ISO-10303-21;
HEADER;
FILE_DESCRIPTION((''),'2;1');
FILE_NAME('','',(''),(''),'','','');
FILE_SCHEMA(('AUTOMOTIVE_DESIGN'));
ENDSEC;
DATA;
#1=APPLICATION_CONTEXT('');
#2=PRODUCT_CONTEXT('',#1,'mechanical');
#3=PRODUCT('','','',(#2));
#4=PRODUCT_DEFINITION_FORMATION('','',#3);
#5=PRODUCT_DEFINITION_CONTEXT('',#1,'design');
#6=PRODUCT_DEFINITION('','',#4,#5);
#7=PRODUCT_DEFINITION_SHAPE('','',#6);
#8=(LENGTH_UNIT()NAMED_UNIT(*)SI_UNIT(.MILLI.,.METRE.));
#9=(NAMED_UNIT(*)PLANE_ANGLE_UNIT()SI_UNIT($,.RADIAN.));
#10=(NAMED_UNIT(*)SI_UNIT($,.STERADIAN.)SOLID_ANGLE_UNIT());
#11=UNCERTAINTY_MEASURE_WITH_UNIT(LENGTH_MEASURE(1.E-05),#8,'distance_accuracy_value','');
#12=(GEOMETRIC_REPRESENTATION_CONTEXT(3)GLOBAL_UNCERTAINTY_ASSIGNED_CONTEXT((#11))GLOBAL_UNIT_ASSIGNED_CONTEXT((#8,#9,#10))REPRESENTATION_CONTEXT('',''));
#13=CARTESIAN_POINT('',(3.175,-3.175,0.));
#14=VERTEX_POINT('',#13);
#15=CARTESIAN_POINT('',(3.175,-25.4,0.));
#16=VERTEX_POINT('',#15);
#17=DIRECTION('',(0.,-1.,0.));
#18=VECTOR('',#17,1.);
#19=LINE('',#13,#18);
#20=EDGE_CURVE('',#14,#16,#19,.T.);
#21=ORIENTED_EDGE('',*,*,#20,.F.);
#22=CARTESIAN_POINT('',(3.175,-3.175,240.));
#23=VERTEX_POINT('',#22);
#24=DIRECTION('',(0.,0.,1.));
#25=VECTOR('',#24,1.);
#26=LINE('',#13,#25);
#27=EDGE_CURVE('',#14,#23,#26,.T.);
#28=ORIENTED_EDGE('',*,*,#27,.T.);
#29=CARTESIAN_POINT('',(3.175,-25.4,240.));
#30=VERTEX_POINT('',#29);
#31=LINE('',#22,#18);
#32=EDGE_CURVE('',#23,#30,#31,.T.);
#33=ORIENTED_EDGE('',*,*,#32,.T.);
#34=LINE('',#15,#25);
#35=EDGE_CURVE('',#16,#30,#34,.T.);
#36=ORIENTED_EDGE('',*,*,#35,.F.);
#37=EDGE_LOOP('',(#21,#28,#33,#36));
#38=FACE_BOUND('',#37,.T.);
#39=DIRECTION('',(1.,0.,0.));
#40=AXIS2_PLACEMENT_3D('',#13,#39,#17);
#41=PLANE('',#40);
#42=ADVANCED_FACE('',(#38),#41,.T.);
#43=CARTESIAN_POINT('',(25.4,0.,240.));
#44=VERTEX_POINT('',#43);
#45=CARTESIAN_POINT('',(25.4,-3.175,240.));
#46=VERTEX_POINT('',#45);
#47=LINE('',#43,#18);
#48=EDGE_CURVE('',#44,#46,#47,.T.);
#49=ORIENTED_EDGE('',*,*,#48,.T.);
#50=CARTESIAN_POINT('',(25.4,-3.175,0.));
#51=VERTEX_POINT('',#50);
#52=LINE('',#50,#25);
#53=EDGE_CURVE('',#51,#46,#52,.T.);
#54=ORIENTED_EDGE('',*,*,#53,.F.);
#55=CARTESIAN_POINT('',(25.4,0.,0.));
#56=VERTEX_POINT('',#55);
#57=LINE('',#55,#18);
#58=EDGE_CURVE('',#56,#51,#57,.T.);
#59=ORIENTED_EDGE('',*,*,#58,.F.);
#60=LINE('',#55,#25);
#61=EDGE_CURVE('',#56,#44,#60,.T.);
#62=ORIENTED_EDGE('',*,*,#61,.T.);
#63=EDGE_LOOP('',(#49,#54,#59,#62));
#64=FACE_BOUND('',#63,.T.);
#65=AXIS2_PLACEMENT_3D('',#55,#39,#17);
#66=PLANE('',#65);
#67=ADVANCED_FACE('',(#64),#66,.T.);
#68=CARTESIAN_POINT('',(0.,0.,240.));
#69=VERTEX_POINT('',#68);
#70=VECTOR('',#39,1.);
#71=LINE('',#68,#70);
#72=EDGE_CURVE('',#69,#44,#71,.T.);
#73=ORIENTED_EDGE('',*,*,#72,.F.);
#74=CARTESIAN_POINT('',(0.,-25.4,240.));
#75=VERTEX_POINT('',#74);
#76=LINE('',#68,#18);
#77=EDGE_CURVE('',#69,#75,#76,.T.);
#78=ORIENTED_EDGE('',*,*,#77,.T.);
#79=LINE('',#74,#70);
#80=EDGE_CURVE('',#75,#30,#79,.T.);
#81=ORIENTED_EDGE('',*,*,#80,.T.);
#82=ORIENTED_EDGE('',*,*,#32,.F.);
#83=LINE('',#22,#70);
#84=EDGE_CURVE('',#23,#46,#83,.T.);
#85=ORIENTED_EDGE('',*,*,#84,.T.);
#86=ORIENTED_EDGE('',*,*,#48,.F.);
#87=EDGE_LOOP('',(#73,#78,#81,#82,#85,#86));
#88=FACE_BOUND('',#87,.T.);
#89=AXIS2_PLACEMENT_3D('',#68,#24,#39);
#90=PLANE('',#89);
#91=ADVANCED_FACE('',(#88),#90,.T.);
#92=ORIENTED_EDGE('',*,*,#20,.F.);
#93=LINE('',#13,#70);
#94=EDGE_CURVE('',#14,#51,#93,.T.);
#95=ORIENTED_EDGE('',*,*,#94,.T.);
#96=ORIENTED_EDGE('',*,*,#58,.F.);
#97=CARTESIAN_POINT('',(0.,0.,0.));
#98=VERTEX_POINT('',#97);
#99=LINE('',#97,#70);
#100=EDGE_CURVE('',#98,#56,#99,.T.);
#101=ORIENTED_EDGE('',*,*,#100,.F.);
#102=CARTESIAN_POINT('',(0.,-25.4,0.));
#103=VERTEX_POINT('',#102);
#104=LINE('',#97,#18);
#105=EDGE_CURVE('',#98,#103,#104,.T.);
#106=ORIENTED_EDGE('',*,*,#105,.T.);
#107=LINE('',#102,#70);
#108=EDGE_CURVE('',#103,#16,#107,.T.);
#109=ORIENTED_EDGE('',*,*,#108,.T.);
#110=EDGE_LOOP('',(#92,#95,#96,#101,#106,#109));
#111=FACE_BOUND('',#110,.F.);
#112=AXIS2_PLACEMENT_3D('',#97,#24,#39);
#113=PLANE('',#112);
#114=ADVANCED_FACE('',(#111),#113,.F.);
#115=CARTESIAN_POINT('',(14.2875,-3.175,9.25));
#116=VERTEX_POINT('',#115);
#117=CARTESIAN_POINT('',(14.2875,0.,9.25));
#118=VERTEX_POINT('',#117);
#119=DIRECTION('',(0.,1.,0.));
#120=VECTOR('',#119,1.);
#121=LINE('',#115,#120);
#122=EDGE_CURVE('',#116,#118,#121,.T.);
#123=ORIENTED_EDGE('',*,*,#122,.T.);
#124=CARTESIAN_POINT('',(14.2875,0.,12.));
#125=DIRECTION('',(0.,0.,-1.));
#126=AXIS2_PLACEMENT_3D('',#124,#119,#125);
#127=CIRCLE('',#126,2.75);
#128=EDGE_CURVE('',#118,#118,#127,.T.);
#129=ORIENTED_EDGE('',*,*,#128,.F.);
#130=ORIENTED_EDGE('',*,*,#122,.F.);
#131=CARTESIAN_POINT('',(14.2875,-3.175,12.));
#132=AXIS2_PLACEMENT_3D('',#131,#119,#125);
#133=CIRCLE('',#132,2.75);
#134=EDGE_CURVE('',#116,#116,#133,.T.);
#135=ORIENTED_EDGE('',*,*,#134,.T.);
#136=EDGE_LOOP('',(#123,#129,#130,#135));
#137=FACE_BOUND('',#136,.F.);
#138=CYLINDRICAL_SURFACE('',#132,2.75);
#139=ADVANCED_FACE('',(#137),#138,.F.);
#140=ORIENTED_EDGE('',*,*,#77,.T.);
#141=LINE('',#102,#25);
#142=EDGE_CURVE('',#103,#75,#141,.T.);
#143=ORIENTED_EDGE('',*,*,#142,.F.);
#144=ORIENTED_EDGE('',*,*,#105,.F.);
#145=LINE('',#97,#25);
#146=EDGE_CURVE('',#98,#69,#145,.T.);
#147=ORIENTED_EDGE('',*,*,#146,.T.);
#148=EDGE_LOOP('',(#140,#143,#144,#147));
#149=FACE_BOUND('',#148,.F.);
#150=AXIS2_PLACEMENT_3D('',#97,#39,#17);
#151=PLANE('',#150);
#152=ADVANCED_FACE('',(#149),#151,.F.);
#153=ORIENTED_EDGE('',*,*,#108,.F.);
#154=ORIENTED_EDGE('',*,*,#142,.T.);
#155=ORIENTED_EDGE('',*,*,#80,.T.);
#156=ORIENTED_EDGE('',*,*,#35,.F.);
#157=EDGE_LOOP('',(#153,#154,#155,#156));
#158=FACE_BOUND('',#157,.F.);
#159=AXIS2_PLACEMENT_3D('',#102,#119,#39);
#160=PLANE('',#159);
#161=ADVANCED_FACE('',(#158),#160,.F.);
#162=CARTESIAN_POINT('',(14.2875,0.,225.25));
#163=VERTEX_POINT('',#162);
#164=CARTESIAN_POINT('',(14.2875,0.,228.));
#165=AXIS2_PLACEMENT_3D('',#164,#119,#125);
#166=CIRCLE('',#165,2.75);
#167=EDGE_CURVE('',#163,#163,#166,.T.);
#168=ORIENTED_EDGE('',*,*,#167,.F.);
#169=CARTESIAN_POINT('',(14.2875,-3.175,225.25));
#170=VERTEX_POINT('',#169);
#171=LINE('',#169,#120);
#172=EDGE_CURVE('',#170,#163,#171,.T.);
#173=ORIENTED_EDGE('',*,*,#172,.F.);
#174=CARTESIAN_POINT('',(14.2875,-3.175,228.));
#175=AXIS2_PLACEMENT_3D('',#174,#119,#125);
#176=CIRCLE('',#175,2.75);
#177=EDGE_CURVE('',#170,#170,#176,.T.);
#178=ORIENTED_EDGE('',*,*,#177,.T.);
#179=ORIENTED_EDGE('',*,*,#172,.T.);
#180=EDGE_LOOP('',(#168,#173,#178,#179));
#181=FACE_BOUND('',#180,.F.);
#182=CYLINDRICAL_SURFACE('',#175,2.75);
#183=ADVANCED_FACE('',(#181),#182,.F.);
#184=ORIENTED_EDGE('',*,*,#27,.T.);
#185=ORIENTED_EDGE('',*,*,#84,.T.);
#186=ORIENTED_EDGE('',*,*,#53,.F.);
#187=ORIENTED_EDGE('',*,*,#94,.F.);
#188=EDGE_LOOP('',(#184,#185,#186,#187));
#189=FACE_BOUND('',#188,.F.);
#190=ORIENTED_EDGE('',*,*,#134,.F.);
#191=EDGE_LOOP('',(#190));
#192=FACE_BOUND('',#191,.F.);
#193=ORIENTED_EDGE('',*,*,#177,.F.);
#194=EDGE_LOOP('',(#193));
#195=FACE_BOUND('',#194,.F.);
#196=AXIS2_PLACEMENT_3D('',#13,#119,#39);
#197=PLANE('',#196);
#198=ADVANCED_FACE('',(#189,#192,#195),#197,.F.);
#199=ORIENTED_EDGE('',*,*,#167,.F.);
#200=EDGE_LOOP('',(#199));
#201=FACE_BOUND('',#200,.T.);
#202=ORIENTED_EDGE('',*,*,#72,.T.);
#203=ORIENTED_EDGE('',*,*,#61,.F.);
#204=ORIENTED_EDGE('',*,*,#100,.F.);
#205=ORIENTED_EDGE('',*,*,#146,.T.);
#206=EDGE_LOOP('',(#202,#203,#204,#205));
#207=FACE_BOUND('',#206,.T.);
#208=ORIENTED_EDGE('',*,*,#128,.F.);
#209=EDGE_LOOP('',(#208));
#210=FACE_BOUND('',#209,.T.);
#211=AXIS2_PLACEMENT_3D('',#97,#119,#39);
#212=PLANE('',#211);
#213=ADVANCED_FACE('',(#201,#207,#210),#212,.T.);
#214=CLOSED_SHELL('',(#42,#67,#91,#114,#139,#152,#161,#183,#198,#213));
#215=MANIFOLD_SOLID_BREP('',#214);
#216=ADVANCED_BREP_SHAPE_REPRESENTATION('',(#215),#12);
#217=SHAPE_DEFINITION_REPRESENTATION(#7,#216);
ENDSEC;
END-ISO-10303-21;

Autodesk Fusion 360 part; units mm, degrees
sketch "Sketch1" plane through (0, 0, 0) normal (0, 0, 1) x (1, 0, 0)
  line L0 (0, 0) -> (25.4, 0)
  line L1 (0, 0) -> (0, -25.4)
  line L2 (3.175, -3.175) -> (25.4, -3.175)
  line L3 (3.175, -3.175) -> (3.175, -25.4)
  line L4 (25.4, 0) -> (25.4, -3.175)
  line L5 (0, -25.4) -> (3.175, -25.4)
  dimension "d1" = 25.4
  dimension "d2" = -3.175
extrude "Extrude1" add sketch "Sketch1" along normal blind 240
sketch "Sketch2" plane through (0, -3.175, 0) normal (0, -1, 0) x (1, 0, 0)
  line L0 (3.175, 0) -> (25.4, 0)
  line L1 (25.4, 0) -> (25.4, 240)
  line L2 (25.4, 240) -> (3.175, 240)
  line L3 (3.175, 240) -> (3.175, 0)
  circle A0 centre (14.2875, 228) radius 2.75
  circle A1 centre (14.2875, 12) radius 2.75
  line L4 (14.2875, 240) -> (14.2875, 0) construction
  dimension "d5" = 5.5
  dimension "d6" = 12
  dimension "d7" = 12
hole "Hole1" at (14.2875, -3.175, 12) at (14.2875, -3.175, 228) direction (0, 1, 0) diameter 5.5 depth 7 tip angle 118
